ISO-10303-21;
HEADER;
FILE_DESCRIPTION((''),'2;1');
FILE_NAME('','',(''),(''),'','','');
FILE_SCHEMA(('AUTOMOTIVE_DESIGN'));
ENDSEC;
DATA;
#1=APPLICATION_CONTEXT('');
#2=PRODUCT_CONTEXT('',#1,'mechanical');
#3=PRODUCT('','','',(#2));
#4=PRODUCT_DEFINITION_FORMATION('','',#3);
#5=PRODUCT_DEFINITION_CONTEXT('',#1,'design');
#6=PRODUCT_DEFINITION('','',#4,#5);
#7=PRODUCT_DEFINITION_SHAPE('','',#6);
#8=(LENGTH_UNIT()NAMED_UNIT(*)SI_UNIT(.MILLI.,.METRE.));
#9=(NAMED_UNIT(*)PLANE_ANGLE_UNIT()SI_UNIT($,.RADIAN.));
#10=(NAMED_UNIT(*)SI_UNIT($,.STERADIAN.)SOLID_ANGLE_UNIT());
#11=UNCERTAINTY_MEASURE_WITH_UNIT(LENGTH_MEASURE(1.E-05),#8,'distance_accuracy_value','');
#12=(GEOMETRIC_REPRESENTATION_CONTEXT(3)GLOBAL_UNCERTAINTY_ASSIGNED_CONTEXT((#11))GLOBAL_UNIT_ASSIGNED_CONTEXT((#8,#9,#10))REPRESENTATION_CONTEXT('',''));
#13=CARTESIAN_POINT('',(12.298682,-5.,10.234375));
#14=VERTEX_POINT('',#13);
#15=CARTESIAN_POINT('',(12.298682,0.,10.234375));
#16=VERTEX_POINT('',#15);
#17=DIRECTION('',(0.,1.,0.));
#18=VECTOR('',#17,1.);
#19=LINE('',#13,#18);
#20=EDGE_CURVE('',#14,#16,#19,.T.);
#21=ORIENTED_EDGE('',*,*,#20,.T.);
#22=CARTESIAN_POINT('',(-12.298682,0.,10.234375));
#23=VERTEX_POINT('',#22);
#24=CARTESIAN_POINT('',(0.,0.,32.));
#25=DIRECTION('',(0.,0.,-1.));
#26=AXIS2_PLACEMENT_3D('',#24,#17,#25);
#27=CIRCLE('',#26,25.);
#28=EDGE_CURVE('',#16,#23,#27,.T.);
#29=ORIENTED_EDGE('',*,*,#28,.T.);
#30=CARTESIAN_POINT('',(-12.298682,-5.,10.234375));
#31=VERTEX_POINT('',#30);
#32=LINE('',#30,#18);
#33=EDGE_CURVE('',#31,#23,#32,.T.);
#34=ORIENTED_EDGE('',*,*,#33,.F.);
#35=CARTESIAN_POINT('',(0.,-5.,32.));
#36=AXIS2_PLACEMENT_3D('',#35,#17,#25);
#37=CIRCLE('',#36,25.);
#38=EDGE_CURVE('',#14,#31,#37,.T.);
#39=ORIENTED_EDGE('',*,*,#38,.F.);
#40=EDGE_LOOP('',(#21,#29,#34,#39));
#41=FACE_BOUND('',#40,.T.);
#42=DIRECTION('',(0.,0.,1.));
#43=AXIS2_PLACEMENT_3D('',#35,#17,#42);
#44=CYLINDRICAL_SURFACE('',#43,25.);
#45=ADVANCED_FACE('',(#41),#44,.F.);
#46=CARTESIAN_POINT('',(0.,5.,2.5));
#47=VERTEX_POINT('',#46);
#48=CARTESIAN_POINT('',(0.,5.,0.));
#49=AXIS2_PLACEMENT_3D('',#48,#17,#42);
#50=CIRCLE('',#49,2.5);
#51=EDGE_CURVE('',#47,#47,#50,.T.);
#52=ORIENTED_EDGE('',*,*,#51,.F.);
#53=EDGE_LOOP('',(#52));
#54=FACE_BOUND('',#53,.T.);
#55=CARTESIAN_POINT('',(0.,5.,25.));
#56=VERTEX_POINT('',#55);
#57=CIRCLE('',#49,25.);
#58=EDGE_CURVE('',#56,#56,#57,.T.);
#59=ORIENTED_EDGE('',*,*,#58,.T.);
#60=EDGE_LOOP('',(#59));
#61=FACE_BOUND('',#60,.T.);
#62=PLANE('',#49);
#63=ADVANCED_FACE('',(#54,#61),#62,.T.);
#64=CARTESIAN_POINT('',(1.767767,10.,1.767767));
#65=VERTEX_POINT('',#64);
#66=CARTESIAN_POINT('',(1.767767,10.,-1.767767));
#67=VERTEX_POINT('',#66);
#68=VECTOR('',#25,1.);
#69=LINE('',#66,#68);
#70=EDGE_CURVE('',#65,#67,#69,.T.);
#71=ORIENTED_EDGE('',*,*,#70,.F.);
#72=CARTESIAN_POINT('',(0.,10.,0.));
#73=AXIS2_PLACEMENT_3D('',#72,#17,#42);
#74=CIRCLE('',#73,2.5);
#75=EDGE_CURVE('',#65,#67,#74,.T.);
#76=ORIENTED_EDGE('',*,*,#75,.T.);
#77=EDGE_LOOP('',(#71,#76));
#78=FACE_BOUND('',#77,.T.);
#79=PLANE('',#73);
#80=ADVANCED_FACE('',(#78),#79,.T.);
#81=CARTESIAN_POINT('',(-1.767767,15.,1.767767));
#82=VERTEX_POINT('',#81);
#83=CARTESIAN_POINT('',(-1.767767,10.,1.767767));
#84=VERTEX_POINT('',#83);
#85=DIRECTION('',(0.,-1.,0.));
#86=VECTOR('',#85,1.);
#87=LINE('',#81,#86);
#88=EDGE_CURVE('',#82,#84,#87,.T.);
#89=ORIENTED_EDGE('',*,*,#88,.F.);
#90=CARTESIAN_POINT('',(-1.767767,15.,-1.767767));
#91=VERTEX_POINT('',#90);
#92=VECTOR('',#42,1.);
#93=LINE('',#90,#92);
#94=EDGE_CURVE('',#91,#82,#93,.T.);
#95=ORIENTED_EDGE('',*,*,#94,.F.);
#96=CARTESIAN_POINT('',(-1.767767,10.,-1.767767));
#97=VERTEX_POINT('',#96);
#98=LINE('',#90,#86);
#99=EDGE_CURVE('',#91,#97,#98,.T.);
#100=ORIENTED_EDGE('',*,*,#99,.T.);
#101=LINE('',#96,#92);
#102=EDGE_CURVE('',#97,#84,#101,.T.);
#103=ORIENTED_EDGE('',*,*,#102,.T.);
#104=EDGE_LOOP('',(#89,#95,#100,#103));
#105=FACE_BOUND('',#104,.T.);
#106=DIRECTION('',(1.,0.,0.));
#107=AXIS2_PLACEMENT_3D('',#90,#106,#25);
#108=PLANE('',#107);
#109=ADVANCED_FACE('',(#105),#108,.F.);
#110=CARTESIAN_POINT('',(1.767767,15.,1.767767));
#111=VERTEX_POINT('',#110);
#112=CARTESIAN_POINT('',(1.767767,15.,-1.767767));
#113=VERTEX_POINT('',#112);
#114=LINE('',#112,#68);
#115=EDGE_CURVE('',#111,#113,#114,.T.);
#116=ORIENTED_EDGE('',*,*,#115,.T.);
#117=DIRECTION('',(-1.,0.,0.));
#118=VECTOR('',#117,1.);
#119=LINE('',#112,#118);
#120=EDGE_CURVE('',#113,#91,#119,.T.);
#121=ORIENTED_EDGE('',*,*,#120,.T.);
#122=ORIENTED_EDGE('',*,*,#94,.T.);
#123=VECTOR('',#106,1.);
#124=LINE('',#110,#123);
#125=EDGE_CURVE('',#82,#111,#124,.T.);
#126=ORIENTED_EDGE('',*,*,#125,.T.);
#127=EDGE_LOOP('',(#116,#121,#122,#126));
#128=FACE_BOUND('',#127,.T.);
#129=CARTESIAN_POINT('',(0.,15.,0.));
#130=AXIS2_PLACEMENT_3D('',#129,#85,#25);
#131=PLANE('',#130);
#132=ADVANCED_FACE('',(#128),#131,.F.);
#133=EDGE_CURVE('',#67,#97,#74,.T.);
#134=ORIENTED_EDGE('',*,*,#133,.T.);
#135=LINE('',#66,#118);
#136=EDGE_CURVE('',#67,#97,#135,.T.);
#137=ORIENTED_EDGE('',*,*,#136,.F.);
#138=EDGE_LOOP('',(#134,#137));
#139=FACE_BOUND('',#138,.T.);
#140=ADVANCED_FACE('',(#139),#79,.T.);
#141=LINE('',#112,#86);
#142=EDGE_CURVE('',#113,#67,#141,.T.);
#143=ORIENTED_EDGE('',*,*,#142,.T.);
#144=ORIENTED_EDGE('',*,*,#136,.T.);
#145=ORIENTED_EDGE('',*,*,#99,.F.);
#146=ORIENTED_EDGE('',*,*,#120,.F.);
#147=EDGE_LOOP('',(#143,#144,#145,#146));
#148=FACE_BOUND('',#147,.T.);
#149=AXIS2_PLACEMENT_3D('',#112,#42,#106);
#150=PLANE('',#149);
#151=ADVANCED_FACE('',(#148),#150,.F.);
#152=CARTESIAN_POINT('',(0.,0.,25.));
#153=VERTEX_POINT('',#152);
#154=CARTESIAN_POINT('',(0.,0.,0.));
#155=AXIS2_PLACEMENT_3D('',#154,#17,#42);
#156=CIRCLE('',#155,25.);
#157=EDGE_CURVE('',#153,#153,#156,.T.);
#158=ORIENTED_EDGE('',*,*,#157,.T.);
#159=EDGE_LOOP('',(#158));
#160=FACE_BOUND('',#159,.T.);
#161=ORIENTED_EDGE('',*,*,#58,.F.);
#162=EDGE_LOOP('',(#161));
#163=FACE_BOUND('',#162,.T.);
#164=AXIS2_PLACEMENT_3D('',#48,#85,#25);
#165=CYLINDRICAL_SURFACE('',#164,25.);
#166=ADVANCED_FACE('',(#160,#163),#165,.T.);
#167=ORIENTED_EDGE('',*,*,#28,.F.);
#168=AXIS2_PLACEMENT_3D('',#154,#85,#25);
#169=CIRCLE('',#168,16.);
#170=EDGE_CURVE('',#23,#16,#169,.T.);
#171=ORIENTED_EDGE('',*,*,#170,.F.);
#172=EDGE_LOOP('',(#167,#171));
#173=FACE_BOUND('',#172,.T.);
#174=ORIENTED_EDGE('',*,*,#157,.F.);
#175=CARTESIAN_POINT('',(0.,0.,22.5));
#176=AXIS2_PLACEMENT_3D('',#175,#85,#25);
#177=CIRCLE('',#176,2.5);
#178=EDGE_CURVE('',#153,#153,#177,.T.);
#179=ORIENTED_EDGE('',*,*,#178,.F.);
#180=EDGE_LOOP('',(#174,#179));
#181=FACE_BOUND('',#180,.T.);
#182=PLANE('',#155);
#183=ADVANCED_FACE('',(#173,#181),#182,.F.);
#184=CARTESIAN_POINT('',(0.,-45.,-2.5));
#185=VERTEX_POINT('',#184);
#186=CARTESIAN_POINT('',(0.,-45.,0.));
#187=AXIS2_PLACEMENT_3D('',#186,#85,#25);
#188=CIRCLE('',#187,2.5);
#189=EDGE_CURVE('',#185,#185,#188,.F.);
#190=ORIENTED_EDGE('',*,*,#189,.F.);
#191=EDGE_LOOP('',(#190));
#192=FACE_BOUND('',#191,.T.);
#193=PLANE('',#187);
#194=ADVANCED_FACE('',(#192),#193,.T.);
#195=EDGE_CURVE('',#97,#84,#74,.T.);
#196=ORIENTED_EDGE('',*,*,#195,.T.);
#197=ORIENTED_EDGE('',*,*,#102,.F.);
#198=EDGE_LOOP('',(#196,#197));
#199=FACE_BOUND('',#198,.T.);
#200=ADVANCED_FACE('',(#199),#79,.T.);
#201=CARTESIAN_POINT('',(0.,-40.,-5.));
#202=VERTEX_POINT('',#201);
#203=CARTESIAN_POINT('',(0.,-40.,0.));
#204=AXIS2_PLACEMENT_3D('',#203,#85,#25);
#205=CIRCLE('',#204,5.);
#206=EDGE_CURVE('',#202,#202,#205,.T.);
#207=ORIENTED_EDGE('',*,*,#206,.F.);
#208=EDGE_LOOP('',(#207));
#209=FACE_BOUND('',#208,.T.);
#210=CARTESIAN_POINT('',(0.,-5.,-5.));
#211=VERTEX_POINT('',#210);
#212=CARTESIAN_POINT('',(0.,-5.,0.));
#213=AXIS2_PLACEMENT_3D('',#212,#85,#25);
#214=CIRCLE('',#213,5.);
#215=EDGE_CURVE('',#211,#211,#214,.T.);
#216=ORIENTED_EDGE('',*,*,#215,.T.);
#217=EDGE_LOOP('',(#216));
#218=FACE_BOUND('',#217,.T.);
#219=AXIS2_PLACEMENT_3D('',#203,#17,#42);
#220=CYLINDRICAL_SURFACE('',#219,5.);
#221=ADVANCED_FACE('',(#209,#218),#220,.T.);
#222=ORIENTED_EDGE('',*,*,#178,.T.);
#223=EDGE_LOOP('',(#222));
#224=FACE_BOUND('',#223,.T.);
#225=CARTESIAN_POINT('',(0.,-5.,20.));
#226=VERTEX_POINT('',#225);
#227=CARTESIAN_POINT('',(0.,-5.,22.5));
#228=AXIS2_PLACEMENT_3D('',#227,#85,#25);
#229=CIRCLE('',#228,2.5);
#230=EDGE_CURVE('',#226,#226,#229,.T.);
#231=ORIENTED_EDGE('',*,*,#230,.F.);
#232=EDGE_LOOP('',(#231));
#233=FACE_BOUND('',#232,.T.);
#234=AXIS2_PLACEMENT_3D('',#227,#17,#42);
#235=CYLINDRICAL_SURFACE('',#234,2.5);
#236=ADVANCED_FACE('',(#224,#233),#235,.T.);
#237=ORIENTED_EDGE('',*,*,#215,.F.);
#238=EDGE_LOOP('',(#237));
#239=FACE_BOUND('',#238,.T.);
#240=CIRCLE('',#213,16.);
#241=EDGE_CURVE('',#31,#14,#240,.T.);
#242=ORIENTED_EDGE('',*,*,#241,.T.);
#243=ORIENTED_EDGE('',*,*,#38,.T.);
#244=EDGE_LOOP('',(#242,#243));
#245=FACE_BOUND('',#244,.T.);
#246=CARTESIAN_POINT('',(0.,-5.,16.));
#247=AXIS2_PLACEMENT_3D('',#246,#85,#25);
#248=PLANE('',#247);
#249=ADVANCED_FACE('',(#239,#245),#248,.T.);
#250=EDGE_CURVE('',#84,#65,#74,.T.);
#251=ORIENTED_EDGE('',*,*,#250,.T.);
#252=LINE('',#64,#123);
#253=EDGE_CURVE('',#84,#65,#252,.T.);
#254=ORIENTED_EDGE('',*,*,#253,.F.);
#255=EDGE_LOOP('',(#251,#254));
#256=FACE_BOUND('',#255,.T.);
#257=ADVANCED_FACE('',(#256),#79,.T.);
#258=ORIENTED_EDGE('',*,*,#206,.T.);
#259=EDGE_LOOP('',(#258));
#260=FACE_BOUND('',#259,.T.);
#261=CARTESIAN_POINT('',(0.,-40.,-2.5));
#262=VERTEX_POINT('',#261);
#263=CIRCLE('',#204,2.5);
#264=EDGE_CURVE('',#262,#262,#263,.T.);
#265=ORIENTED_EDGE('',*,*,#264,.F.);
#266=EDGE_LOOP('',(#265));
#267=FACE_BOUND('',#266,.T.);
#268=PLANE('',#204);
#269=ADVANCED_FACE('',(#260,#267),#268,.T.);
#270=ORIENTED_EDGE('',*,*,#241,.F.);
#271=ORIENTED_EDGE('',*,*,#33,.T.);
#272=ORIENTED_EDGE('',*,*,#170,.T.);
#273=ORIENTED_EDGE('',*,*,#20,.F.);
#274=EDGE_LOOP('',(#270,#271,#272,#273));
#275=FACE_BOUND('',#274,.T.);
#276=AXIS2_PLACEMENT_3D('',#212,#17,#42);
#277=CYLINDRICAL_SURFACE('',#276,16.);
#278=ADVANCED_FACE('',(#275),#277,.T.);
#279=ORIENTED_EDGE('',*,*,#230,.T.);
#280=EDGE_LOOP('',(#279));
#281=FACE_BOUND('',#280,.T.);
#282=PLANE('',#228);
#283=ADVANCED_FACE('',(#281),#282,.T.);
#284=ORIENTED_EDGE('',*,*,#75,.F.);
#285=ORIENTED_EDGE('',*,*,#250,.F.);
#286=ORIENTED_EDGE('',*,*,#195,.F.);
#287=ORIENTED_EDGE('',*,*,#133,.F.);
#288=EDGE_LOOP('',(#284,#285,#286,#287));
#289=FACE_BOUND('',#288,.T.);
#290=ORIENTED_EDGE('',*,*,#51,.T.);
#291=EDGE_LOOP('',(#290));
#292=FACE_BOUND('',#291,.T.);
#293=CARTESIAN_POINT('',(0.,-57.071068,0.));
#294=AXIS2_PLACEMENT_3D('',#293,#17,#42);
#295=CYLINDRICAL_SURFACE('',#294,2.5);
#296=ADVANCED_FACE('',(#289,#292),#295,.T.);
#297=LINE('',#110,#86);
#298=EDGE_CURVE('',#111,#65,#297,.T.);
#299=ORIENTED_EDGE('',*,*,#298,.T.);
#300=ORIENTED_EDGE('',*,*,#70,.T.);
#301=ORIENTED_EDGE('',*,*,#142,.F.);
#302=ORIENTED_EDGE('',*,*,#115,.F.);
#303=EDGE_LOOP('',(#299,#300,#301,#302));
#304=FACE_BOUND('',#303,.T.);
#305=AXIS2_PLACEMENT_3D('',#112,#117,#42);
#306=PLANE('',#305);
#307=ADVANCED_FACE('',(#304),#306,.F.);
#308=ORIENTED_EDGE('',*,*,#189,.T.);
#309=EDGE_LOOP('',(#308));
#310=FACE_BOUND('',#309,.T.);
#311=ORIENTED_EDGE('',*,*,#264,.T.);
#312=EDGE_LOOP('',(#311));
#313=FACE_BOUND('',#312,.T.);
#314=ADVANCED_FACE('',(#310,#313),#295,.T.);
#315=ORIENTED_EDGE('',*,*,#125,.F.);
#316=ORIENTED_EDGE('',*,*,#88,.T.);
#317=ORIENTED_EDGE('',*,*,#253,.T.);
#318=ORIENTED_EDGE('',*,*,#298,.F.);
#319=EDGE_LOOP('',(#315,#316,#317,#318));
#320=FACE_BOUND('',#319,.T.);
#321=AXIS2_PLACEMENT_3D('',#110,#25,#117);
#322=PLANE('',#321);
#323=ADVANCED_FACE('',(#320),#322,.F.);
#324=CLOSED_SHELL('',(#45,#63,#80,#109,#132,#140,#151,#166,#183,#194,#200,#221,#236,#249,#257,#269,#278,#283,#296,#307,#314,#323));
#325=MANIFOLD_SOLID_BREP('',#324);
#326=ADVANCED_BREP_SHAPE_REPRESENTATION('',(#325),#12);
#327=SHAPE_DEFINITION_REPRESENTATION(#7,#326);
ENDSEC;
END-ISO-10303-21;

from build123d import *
from build123d.topology import SkipClean

# Parameters (mm, degrees)
SKETCH1_R           = 25
SKETCH1_R_2         = 2.5
BOSS_EXTRUDE1_DEPTH = 5
SKETCH2_R           = 2.5
BOSS_EXTRUDE2_DEPTH = 5
BOSS_EXTRUDE3_START = 5
SKETCH3_R           = 2.5
BOSS_EXTRUDE3_DEPTH = 5
BOSS_EXTRUDE4_START = 35
SKETCH4_R           = 5
SKETCH4_R_2         = 2.5
BOSS_EXTRUDE4_DEPTH = 35
BOSS_EXTRUDE5_START = -50
SKETCH5_R           = 2.5
BOSS_EXTRUDE5_DEPTH = 55
SKETCH6_W           = 3.535533906
SKETCH6_H           = 3.535533906
BOSS_EXTRUDE6_DEPTH = 5


with BuildPart() as part:
    # Sketch1 → Boss-Extrude1 (new body)
    with BuildSketch(Plane(origin=(0, 0, 0), x_dir=(1, 0, 0), z_dir=(0, 1, 0))):
        with Locations(Location((0, 0, 0), (0, 0, 270))):
            Circle(SKETCH1_R)
        with Locations(Location((0, 0, 0), (0, 0, 270))):
            Circle(SKETCH1_R_2, mode=Mode.SUBTRACT)
    extrude(amount=BOSS_EXTRUDE1_DEPTH)

    # Sketch2 → Boss-Extrude2 (add)
    with BuildSketch(Plane.XZ):
        with Locations(Location((0, 22.5, 0), (0, 0, 90))):
            Circle(SKETCH2_R)
    extrude(amount=BOSS_EXTRUDE2_DEPTH)

    # Sketch3 → Boss-Extrude3 (add)
    with SkipClean():  # the faces are left unmerged after this step: merging them gives an invalid solid
        with BuildSketch(Plane.XZ.offset(BOSS_EXTRUDE3_START)):
            with BuildLine():
                ThreePointArc((-12.29868157, 10.234375), (0, -16), (12.29868157, 10.234375))
                ThreePointArc((12.29868157, 10.234375), (0, 7), (-12.29868157, 10.234375))
            make_face()
            with Locations(Location((0, 0, 0), (0, 0, 270))):
                Circle(SKETCH3_R, mode=Mode.SUBTRACT)
        extrude(amount=-BOSS_EXTRUDE3_DEPTH)

    # Sketch4 → Boss-Extrude4 (add)
    with SkipClean():  # the faces are left unmerged after this step: merging them gives an invalid solid
        with BuildSketch(Plane.XZ.offset(5).offset(BOSS_EXTRUDE4_START)):
            with Locations(Location((0, 0, 0), (0, 0, 270))):
                Circle(SKETCH4_R)
            with Locations(Location((0, 0, 0), (0, 0, 270))):
                Circle(SKETCH4_R_2, mode=Mode.SUBTRACT)
        extrude(amount=-BOSS_EXTRUDE4_DEPTH)

    # Sketch5 → Boss-Extrude5 (add)
    with BuildSketch(Plane(origin=(0, 5, 0), x_dir=(1, 0, 0), z_dir=(0, 1, 0)).offset(BOSS_EXTRUDE5_START)):
        with Locations(Location((0, 0, 0), (0, 0, 90))):
            Circle(SKETCH5_R)
    extrude(amount=BOSS_EXTRUDE5_DEPTH)

    # Sketch6 → Boss-Extrude6 (add)
    with BuildSketch(Plane(origin=(0, 10, 0), x_dir=(1, 0, 0), z_dir=(0, 1, 0))):
        Rectangle(SKETCH6_W, SKETCH6_H)
    extrude(amount=BOSS_EXTRUDE6_DEPTH)


solid = part.part
